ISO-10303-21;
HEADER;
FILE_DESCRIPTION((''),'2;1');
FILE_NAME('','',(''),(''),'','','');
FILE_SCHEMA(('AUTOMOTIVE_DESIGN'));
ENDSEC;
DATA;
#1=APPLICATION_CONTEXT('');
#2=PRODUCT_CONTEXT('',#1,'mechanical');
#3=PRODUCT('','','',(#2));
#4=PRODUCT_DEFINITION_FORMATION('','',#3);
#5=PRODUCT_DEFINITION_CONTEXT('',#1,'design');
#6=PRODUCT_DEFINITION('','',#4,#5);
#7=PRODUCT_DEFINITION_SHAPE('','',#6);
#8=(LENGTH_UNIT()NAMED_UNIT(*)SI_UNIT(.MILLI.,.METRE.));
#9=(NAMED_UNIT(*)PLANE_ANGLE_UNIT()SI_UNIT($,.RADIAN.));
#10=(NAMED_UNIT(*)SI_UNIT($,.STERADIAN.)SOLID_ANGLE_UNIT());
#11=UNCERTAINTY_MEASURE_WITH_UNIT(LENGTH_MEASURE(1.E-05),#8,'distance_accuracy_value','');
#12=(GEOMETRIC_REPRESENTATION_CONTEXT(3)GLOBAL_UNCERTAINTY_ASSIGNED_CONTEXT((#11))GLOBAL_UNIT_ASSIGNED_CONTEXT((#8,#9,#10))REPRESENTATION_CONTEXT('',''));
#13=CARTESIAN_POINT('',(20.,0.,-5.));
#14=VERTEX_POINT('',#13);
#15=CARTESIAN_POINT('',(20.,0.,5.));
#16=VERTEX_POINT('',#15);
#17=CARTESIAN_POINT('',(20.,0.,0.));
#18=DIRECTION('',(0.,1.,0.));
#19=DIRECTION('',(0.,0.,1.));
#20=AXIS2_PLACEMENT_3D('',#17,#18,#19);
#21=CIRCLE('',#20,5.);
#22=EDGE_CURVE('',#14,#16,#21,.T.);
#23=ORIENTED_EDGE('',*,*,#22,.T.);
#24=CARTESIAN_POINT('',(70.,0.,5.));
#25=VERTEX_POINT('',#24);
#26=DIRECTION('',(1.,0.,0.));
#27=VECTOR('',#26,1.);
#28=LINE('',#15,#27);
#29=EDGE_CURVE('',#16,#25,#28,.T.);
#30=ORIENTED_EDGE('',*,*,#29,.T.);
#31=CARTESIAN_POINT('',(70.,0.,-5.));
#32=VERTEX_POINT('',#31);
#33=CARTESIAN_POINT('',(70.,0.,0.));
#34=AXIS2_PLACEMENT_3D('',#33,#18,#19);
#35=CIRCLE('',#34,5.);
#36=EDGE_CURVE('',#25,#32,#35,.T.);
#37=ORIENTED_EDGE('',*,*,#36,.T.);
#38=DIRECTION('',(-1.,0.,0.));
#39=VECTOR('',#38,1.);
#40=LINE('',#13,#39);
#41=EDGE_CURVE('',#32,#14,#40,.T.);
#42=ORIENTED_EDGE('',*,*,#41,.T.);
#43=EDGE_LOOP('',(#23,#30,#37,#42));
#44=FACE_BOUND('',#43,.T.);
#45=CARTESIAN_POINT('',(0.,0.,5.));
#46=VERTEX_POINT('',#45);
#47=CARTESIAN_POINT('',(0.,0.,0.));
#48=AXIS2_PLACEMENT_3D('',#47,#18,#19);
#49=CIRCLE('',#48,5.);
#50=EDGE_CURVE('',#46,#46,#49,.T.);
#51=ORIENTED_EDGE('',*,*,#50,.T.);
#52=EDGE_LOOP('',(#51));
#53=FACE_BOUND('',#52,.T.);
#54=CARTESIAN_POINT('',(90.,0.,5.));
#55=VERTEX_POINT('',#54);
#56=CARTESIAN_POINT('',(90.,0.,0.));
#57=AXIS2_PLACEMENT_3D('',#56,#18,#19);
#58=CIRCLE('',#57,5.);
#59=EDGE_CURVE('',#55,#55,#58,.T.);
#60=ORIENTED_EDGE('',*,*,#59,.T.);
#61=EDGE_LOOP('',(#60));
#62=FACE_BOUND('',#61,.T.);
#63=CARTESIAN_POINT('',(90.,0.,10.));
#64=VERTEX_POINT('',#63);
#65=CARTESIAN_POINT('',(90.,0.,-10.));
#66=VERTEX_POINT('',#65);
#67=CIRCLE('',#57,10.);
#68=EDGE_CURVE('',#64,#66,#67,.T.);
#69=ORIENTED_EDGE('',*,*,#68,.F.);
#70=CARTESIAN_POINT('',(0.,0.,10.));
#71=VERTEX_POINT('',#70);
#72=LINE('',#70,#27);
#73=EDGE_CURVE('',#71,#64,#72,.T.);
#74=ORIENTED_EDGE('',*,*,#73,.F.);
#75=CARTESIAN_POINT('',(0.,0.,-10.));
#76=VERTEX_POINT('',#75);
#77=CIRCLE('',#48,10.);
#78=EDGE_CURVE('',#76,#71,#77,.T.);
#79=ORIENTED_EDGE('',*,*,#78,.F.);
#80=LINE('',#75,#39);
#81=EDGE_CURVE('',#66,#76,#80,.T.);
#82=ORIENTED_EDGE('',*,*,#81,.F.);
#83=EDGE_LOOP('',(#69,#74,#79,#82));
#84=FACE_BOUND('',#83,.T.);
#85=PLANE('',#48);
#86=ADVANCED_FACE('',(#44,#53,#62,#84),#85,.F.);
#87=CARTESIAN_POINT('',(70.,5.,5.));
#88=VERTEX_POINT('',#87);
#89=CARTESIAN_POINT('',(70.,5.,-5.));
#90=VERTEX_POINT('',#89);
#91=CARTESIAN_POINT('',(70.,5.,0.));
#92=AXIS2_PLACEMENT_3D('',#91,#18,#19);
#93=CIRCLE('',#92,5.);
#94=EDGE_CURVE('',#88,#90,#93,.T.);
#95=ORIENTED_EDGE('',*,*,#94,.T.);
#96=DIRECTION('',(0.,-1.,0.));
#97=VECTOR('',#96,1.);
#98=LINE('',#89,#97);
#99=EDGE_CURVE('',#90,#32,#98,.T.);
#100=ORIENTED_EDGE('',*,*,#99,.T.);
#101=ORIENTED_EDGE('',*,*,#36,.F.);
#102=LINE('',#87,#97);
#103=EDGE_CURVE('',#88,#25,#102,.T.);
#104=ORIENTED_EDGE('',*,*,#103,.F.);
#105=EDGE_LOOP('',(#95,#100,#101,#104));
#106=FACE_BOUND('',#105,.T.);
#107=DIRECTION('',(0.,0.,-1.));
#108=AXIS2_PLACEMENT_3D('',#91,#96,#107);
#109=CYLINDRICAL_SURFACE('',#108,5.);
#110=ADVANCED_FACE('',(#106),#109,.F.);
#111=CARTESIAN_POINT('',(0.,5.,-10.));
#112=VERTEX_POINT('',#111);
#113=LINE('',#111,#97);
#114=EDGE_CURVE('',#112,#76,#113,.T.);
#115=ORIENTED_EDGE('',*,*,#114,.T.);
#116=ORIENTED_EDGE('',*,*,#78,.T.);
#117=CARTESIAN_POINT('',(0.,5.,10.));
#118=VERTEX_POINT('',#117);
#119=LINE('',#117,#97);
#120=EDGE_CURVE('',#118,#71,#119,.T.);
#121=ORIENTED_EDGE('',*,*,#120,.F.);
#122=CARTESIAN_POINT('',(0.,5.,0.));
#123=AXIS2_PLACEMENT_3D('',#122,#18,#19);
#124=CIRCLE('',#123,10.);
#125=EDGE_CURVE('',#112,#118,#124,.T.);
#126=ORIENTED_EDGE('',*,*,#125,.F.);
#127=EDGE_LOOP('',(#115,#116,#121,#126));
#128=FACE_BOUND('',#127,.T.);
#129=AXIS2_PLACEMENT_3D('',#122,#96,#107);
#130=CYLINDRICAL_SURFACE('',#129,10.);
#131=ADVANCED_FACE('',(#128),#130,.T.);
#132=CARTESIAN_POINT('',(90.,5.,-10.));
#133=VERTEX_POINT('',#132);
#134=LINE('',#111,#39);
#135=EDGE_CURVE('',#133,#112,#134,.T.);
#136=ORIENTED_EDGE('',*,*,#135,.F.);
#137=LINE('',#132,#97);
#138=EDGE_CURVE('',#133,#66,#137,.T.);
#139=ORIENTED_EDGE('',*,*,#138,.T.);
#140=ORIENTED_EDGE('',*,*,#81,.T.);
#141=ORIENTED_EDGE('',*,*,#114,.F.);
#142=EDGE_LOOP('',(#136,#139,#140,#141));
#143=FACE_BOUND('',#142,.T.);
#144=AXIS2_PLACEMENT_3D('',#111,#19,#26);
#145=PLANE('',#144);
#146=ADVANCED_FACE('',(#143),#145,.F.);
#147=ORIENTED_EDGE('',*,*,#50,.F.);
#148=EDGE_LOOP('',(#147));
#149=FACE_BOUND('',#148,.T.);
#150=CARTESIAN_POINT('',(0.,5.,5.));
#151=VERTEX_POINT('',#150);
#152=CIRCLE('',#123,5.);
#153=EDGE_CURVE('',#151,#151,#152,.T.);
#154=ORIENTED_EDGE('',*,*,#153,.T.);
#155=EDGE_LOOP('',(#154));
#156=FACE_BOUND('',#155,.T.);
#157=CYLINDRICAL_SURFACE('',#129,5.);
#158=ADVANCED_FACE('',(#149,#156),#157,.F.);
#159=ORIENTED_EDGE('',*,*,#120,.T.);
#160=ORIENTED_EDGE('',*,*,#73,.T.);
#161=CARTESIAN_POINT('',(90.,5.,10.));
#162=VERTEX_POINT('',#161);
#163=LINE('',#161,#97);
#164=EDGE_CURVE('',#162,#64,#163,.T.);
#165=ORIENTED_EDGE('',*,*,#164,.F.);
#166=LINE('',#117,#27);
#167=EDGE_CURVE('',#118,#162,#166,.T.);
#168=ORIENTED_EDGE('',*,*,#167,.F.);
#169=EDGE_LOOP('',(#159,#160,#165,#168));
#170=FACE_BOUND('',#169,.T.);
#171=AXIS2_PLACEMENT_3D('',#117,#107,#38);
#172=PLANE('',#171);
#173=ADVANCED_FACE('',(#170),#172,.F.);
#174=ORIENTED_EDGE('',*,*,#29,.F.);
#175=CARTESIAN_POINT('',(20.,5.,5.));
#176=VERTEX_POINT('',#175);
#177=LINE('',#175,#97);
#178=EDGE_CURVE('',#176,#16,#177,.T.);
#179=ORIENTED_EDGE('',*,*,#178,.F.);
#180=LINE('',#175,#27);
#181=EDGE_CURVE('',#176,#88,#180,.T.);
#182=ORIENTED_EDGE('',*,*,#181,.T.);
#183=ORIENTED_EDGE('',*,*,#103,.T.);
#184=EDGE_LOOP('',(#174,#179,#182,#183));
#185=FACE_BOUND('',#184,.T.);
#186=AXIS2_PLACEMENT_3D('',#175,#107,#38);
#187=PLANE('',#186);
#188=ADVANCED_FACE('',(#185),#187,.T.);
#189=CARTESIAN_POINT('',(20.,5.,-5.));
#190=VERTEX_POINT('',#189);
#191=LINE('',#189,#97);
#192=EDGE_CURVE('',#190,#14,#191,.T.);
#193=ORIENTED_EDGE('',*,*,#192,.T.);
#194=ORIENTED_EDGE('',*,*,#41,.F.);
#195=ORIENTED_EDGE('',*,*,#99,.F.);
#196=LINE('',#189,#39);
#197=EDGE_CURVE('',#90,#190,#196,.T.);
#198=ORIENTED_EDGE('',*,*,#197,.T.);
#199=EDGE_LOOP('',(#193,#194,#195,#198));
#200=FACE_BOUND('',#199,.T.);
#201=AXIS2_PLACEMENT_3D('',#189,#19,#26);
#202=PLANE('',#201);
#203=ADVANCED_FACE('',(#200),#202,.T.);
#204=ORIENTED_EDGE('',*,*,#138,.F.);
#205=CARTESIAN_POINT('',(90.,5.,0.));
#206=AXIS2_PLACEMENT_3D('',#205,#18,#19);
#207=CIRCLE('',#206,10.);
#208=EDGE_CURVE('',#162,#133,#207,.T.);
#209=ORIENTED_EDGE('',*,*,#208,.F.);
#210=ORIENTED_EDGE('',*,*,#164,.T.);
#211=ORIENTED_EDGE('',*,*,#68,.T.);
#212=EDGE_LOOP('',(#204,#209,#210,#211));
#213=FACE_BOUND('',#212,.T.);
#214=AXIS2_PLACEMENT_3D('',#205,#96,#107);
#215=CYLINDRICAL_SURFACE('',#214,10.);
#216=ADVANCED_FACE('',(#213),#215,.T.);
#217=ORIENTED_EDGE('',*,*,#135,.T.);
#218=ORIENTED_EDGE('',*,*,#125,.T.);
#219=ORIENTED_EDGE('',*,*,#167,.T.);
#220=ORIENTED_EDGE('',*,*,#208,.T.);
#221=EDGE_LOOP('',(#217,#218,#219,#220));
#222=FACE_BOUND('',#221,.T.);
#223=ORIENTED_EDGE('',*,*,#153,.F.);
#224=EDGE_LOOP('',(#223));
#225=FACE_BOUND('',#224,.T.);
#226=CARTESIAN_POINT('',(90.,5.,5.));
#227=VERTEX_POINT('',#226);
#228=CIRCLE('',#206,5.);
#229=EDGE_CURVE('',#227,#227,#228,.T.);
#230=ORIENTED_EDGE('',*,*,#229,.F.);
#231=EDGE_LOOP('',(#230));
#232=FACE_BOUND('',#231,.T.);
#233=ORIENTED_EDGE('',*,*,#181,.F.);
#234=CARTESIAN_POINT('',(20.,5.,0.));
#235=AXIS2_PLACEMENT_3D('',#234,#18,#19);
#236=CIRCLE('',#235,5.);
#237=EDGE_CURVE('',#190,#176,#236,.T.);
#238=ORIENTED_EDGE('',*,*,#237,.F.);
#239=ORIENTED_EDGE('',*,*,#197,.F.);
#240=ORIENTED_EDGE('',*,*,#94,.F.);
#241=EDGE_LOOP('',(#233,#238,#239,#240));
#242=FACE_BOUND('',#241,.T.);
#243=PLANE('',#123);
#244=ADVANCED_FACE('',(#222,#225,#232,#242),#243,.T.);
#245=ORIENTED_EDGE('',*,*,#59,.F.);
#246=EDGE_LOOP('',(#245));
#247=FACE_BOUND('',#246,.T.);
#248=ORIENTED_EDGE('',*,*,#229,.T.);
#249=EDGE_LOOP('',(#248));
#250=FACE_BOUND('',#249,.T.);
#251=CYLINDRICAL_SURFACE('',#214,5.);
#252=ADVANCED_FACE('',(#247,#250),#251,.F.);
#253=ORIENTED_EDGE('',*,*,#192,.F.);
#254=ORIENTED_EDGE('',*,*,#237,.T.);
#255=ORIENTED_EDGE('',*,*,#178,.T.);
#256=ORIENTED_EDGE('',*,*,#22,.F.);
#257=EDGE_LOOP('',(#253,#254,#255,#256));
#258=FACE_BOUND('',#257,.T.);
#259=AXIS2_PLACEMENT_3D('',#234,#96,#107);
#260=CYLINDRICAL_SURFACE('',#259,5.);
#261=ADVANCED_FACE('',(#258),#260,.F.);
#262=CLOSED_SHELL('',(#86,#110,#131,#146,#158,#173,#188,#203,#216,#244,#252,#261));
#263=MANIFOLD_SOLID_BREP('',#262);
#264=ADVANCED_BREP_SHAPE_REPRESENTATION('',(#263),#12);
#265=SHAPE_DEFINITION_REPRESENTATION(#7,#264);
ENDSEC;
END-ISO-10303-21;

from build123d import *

# Parameters (mm, degrees)
SKETCH1_R           = 5
BOSS_EXTRUDE1_DEPTH = 5


with BuildPart() as part:
    # Sketch1 → Boss-Extrude1 (new body)
    with BuildSketch(Plane(origin=(0, 0, 0), x_dir=(1, 0, 0), z_dir=(0, 1, 0))):
        with BuildLine():
            Line((0, 10), (90, 10))
            ThreePointArc((90, 10), (100, 0), (90, -10))
            Line((90, -10), (0, -10))
            ThreePointArc((0, -10), (-10, 0), (0, 10))
        make_face()
        Circle(SKETCH1_R, mode=Mode.SUBTRACT)
        with Locations((90, 0)):
            Circle(SKETCH1_R, mode=Mode.SUBTRACT)
        with BuildLine():
            Line((20, 5), (70, 5))
            ThreePointArc((70, 5), (75, 0), (70, -5))
            Line((70, -5), (20, -5))
            ThreePointArc((20, -5), (15, 0), (20, 5))
        make_face(mode=Mode.SUBTRACT)
    extrude(amount=BOSS_EXTRUDE1_DEPTH)


solid = part.part
